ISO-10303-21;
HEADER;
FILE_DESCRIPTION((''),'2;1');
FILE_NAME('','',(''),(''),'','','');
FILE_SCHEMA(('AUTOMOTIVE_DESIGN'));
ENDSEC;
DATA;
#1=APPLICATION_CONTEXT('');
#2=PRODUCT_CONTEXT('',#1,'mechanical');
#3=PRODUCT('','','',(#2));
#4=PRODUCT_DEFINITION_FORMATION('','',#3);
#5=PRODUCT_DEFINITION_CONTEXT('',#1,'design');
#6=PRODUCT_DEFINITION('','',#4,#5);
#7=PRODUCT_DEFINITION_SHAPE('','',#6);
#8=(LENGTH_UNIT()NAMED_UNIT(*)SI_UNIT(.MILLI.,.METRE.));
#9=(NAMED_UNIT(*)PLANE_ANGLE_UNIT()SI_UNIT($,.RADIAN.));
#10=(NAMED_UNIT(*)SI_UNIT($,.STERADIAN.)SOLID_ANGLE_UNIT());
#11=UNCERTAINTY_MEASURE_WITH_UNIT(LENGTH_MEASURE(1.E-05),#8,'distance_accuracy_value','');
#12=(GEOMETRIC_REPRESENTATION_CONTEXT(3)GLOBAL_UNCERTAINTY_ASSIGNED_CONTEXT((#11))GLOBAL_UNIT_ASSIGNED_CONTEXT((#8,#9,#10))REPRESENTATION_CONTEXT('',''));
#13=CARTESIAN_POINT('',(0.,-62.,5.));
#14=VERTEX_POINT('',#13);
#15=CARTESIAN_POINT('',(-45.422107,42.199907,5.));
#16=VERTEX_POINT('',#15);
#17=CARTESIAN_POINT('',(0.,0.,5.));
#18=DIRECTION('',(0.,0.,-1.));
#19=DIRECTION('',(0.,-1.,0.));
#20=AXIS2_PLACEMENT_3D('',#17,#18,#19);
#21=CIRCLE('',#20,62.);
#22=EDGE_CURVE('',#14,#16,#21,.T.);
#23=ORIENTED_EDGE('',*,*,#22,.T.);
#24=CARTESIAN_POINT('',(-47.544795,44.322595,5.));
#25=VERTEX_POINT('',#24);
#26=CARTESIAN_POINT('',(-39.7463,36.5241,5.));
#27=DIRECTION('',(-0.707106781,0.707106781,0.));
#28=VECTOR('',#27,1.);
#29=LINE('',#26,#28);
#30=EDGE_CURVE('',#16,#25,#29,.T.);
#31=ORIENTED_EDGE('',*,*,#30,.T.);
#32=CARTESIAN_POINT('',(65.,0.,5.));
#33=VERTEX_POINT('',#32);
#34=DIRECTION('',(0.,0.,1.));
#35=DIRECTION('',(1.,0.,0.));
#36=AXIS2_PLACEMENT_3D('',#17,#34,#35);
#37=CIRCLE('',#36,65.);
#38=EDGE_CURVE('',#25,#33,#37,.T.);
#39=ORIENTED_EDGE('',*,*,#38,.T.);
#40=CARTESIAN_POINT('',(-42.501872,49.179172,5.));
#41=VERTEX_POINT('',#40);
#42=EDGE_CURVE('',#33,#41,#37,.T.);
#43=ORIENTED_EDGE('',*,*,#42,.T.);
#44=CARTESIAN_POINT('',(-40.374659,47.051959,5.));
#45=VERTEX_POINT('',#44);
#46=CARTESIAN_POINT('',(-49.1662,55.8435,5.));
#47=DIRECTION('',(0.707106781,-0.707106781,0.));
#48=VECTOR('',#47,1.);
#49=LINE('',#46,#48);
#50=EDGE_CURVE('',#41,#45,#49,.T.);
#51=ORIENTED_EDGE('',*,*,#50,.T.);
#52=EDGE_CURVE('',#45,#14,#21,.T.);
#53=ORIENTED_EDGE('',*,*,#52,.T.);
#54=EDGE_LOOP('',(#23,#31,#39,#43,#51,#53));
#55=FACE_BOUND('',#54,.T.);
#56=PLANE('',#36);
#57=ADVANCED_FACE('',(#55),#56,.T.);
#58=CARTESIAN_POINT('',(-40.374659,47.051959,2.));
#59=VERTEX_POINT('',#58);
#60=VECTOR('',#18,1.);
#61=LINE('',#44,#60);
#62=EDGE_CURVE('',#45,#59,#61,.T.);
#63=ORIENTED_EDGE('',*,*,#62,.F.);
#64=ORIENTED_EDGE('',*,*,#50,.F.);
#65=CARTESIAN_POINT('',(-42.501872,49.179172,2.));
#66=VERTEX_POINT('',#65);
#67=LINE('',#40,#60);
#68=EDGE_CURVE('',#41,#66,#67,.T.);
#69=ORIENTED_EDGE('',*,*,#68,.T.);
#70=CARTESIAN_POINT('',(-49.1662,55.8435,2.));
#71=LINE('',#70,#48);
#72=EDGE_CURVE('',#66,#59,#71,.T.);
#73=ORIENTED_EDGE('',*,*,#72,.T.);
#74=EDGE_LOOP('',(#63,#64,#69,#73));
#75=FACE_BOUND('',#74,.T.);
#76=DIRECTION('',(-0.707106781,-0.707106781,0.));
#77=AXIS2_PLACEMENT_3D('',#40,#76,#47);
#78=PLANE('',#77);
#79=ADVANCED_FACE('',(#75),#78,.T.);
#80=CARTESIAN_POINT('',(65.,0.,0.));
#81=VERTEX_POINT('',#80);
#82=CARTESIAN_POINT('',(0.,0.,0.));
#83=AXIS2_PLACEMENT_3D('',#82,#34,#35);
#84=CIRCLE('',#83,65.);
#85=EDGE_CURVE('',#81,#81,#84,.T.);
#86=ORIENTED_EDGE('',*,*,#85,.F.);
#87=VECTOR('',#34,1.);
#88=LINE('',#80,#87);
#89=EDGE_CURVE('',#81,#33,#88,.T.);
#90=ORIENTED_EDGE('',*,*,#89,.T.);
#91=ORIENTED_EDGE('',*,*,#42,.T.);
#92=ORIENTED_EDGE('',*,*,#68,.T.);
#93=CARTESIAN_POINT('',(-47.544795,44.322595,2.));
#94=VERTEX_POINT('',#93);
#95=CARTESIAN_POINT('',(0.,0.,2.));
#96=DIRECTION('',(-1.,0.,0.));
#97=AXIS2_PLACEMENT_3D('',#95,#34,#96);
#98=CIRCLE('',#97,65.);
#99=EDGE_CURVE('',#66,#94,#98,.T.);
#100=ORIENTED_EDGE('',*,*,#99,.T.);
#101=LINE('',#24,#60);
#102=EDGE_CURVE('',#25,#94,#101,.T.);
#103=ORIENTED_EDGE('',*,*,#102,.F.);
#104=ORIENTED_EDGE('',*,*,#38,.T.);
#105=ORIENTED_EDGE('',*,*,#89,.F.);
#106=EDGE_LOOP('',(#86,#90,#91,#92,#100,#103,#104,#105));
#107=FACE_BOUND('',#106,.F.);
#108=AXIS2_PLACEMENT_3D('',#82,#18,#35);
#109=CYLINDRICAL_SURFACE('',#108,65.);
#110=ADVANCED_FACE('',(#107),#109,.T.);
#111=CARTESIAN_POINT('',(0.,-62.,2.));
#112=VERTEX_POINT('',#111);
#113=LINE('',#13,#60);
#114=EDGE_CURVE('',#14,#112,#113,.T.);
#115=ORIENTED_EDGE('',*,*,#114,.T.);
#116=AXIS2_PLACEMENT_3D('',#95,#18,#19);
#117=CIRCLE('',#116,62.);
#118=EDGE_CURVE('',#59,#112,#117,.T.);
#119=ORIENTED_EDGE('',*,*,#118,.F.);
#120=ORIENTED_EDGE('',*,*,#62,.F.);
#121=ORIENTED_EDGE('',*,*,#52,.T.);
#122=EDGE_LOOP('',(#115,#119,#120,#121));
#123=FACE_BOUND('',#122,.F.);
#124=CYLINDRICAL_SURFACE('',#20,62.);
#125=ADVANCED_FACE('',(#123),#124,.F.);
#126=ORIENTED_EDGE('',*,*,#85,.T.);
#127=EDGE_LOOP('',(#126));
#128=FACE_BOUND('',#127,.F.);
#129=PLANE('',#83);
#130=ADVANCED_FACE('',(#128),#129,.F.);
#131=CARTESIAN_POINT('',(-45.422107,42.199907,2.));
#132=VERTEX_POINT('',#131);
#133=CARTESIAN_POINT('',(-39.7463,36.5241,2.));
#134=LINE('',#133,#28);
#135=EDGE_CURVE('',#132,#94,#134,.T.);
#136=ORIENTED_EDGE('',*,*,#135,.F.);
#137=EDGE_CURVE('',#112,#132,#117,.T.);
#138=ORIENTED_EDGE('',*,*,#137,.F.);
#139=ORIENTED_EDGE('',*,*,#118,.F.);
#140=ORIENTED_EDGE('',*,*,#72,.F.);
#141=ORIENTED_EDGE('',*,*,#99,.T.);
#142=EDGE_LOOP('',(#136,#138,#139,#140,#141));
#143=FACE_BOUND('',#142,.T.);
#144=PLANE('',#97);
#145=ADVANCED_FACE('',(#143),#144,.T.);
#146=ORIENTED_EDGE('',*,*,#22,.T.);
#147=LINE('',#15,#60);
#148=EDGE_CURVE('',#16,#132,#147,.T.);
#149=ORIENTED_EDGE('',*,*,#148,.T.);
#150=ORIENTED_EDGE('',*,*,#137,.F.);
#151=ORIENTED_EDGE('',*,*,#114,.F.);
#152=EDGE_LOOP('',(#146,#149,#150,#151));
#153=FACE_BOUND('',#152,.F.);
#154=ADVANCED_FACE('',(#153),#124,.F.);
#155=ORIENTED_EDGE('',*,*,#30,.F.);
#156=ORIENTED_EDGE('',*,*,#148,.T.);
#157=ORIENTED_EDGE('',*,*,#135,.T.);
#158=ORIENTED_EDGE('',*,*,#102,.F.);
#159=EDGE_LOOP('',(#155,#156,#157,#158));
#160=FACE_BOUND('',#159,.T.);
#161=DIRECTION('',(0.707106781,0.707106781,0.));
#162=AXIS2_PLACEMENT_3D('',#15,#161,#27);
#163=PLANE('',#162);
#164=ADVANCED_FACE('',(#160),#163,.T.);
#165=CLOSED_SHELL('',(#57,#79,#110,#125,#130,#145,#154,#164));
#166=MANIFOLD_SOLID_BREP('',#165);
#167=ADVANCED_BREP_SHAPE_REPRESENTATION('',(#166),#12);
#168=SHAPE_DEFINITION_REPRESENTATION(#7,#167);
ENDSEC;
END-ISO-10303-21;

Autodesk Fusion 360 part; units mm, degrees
sketch "Sketch1" plane through (0, 0, 0) normal (0, 0, 1) x (1, 0, 0)
  circle A0 centre (0, 0) radius 65
  dimension "d1" = 130
extrude "Extrude1" add sketch "Sketch1" along normal blind 5
hole "Hole1" at (0, 0, 5) direction (0, 0, -1) diameter 124 depth 3 tip angle 180
sketch "Sketch2" plane through (0, 0, 5) normal (0, 0, 1) x (-1, 0, 0)
  circle A0 centre (0, 0) radius 62
  circle A1 centre (0, 0) radius 65
  line L0 (54.116, -50.8938) -> (49.1662, -55.8435)
  line L1 (49.1662, -55.8435) -> (34.7966, -41.4739)
  line L2 (34.7966, -41.4739) -> (39.7463, -36.5241)
  line L3 (39.7463, -36.5241) -> (54.116, -50.8938)
  dimension "d7" = 7
extrude "Extrude2" cut sketch "Sketch2" against normal blind 3 contours A0 A1 L1 L3 picked at (41.6647, -47.2432)
